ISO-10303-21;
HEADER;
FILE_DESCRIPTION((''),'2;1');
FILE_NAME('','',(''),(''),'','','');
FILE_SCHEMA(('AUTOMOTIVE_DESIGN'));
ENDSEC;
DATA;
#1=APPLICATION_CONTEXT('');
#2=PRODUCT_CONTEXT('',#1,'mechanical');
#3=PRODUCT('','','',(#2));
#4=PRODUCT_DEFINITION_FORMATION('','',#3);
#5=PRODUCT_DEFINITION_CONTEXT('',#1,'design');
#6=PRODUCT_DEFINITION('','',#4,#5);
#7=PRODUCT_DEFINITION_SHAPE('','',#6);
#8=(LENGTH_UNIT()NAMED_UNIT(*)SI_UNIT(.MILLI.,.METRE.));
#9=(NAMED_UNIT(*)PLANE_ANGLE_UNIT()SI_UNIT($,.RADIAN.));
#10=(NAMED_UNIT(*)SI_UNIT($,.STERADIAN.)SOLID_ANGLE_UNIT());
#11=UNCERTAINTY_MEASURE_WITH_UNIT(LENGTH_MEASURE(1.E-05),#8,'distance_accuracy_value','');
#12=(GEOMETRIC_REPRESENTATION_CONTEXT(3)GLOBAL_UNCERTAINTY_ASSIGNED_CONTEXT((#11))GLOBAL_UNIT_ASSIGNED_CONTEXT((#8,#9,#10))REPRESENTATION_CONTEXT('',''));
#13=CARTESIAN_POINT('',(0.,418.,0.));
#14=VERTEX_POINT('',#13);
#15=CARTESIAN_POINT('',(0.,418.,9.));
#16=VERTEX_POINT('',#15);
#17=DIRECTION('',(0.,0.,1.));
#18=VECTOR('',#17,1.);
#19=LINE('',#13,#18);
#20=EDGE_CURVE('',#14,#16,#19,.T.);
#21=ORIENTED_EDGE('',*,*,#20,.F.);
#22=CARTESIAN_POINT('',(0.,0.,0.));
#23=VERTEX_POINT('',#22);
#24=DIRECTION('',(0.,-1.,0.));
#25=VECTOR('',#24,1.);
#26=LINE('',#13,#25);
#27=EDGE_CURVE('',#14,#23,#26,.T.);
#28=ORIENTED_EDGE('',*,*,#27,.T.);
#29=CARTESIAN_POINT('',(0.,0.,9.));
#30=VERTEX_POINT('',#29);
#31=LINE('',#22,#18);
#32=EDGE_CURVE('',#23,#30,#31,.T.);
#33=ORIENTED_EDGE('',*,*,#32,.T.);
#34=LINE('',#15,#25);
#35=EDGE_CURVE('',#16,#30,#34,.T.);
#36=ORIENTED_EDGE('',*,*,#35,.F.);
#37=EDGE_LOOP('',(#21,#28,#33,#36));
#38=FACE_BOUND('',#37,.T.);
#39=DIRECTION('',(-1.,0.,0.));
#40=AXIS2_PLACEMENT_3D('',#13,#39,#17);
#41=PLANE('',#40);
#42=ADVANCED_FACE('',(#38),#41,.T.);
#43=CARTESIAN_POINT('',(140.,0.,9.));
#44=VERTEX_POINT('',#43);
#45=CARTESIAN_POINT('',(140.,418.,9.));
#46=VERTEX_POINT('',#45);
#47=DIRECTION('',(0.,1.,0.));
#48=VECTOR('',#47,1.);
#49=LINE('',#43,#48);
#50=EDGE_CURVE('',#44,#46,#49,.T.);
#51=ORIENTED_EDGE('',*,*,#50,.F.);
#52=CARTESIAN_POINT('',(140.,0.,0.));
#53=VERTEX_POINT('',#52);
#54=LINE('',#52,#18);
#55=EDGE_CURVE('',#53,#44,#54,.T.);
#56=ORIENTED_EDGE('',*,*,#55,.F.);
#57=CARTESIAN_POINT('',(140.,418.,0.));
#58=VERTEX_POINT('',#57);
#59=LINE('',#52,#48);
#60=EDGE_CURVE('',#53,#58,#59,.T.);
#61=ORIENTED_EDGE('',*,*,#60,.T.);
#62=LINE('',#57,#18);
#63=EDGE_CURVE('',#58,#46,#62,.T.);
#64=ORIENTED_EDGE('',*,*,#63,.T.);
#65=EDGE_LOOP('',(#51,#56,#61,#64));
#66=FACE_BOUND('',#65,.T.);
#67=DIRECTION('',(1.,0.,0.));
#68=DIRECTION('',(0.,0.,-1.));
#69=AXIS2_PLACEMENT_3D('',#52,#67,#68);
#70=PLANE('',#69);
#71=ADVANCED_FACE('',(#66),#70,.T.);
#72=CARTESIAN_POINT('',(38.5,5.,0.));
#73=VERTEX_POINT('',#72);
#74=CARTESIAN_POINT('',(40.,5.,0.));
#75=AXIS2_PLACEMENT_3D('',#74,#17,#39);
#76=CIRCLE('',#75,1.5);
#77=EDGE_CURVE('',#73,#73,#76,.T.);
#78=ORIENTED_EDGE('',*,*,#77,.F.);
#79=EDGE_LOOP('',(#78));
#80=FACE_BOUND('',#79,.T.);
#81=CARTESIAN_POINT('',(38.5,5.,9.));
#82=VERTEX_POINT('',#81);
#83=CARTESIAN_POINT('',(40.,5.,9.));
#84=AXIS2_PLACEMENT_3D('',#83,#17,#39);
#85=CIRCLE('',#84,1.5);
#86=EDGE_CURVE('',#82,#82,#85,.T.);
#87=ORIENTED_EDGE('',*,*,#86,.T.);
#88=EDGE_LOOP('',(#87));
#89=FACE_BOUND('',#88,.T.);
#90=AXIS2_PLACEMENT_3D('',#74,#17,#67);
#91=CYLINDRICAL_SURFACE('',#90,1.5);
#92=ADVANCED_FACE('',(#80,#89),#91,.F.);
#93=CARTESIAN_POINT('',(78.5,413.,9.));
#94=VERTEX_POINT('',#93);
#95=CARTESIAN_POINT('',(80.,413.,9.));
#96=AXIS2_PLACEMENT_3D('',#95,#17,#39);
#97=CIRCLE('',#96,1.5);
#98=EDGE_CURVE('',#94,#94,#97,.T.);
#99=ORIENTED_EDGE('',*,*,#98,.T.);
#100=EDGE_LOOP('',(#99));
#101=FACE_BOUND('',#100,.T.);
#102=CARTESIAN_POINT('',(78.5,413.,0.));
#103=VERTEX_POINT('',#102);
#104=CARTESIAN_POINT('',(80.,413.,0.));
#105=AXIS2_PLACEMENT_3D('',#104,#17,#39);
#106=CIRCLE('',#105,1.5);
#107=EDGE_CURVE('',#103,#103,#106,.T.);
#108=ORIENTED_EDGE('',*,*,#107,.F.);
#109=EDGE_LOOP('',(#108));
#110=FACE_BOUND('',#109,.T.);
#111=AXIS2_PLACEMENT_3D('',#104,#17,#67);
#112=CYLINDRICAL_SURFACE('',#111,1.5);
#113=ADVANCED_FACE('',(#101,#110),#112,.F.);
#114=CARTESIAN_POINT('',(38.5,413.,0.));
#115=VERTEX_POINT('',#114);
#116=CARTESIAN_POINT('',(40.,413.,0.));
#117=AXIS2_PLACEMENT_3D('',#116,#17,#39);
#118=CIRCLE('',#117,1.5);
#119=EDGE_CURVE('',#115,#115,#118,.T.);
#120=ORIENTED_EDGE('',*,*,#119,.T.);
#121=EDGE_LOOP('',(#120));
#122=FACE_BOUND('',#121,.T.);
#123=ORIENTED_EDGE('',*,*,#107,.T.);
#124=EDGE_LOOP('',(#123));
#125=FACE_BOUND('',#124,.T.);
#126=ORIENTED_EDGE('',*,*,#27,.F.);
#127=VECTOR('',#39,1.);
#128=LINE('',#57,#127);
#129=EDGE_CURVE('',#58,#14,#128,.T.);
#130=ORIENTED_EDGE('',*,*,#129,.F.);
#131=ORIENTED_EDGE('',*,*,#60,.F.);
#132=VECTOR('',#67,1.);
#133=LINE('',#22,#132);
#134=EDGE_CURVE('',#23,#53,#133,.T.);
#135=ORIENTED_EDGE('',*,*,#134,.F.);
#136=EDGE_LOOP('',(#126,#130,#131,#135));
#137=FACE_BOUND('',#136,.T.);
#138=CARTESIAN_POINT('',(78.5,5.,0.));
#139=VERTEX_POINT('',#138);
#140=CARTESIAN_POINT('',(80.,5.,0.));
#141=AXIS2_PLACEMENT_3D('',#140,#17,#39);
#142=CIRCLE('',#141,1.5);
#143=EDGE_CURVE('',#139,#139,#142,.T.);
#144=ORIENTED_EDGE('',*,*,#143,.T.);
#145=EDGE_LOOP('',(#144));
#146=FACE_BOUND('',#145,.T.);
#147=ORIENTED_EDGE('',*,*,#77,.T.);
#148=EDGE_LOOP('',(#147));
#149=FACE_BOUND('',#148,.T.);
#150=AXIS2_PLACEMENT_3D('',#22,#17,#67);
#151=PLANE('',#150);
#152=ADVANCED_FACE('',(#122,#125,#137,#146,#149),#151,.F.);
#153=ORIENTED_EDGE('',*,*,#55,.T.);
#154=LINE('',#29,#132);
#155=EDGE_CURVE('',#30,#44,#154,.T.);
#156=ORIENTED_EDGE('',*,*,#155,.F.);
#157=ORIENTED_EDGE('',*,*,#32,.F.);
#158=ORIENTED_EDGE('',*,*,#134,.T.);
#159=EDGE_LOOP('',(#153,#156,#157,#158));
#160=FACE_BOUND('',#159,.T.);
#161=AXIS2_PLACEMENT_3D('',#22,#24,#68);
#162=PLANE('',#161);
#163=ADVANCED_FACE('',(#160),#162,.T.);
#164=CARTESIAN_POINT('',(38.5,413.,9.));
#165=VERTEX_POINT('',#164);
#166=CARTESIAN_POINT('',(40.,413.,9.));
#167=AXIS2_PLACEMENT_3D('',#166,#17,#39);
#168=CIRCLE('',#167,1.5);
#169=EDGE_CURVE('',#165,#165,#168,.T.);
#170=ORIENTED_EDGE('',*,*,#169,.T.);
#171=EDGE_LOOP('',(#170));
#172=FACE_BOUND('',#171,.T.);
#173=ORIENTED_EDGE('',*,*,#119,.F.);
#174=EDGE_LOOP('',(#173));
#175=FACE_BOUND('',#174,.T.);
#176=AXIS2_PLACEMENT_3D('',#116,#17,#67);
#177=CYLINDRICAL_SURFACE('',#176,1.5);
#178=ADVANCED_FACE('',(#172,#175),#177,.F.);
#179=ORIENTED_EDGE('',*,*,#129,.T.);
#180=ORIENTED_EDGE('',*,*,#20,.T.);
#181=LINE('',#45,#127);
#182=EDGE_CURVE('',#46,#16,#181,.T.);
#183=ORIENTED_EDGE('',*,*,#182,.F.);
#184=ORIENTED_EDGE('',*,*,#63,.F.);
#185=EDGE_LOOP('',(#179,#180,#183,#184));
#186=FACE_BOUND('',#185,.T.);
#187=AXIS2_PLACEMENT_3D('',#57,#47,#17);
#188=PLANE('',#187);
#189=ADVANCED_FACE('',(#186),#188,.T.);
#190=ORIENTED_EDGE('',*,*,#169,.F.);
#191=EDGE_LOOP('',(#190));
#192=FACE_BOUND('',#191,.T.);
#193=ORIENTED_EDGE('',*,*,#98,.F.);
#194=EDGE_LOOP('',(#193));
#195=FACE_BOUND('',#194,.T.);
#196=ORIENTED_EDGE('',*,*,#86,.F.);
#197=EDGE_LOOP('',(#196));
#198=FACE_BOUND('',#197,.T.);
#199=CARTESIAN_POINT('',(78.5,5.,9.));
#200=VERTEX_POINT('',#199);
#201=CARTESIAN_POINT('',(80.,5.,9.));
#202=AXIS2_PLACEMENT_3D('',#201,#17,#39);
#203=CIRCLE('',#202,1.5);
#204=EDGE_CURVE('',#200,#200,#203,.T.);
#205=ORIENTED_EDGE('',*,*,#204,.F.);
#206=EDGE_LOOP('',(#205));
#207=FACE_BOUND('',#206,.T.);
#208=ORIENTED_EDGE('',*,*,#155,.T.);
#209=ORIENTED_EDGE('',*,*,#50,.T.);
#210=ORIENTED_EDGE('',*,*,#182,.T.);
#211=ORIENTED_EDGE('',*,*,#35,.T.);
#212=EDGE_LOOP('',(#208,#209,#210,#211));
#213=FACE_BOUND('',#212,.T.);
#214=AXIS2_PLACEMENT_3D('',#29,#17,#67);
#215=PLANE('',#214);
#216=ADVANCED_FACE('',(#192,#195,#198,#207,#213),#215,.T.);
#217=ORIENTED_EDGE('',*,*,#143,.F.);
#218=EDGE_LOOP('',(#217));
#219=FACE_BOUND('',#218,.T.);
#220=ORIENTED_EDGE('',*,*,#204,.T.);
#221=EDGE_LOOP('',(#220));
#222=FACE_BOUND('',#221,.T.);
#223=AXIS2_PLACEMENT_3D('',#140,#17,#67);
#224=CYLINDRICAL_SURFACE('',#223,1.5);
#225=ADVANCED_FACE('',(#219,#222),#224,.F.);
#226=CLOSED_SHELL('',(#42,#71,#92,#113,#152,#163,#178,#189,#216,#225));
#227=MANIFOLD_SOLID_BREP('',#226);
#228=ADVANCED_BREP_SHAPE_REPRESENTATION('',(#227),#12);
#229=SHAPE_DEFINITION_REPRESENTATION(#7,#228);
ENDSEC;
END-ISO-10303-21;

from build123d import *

# Parameters (mm, degrees)
SKETCH_1_W      = 140
SKETCH_1_H      = 418
SKETCH_1_R      = 1.5
EXTRUDE_1_DEPTH = 9


with BuildPart() as part:
    # Эскиз1 → Бобышка-Вытянуть1 (new body)
    with BuildSketch(Plane.XY.offset(9)):
        with Locations((70, 209)):
            Rectangle(SKETCH_1_W, SKETCH_1_H)
        with Locations(Location((80, 413, 0), (0, 0, 180))):
            Circle(SKETCH_1_R, mode=Mode.SUBTRACT)
        with Locations(Location((40, 413, 0), (0, 0, 180))):
            Circle(SKETCH_1_R, mode=Mode.SUBTRACT)
        with Locations(Location((40, 5, 0), (0, 0, 180))):
            Circle(SKETCH_1_R, mode=Mode.SUBTRACT)
        with Locations(Location((80, 5, 0), (0, 0, 180))):
            Circle(SKETCH_1_R, mode=Mode.SUBTRACT)
    extrude(amount=-EXTRUDE_1_DEPTH)


solid = part.part
